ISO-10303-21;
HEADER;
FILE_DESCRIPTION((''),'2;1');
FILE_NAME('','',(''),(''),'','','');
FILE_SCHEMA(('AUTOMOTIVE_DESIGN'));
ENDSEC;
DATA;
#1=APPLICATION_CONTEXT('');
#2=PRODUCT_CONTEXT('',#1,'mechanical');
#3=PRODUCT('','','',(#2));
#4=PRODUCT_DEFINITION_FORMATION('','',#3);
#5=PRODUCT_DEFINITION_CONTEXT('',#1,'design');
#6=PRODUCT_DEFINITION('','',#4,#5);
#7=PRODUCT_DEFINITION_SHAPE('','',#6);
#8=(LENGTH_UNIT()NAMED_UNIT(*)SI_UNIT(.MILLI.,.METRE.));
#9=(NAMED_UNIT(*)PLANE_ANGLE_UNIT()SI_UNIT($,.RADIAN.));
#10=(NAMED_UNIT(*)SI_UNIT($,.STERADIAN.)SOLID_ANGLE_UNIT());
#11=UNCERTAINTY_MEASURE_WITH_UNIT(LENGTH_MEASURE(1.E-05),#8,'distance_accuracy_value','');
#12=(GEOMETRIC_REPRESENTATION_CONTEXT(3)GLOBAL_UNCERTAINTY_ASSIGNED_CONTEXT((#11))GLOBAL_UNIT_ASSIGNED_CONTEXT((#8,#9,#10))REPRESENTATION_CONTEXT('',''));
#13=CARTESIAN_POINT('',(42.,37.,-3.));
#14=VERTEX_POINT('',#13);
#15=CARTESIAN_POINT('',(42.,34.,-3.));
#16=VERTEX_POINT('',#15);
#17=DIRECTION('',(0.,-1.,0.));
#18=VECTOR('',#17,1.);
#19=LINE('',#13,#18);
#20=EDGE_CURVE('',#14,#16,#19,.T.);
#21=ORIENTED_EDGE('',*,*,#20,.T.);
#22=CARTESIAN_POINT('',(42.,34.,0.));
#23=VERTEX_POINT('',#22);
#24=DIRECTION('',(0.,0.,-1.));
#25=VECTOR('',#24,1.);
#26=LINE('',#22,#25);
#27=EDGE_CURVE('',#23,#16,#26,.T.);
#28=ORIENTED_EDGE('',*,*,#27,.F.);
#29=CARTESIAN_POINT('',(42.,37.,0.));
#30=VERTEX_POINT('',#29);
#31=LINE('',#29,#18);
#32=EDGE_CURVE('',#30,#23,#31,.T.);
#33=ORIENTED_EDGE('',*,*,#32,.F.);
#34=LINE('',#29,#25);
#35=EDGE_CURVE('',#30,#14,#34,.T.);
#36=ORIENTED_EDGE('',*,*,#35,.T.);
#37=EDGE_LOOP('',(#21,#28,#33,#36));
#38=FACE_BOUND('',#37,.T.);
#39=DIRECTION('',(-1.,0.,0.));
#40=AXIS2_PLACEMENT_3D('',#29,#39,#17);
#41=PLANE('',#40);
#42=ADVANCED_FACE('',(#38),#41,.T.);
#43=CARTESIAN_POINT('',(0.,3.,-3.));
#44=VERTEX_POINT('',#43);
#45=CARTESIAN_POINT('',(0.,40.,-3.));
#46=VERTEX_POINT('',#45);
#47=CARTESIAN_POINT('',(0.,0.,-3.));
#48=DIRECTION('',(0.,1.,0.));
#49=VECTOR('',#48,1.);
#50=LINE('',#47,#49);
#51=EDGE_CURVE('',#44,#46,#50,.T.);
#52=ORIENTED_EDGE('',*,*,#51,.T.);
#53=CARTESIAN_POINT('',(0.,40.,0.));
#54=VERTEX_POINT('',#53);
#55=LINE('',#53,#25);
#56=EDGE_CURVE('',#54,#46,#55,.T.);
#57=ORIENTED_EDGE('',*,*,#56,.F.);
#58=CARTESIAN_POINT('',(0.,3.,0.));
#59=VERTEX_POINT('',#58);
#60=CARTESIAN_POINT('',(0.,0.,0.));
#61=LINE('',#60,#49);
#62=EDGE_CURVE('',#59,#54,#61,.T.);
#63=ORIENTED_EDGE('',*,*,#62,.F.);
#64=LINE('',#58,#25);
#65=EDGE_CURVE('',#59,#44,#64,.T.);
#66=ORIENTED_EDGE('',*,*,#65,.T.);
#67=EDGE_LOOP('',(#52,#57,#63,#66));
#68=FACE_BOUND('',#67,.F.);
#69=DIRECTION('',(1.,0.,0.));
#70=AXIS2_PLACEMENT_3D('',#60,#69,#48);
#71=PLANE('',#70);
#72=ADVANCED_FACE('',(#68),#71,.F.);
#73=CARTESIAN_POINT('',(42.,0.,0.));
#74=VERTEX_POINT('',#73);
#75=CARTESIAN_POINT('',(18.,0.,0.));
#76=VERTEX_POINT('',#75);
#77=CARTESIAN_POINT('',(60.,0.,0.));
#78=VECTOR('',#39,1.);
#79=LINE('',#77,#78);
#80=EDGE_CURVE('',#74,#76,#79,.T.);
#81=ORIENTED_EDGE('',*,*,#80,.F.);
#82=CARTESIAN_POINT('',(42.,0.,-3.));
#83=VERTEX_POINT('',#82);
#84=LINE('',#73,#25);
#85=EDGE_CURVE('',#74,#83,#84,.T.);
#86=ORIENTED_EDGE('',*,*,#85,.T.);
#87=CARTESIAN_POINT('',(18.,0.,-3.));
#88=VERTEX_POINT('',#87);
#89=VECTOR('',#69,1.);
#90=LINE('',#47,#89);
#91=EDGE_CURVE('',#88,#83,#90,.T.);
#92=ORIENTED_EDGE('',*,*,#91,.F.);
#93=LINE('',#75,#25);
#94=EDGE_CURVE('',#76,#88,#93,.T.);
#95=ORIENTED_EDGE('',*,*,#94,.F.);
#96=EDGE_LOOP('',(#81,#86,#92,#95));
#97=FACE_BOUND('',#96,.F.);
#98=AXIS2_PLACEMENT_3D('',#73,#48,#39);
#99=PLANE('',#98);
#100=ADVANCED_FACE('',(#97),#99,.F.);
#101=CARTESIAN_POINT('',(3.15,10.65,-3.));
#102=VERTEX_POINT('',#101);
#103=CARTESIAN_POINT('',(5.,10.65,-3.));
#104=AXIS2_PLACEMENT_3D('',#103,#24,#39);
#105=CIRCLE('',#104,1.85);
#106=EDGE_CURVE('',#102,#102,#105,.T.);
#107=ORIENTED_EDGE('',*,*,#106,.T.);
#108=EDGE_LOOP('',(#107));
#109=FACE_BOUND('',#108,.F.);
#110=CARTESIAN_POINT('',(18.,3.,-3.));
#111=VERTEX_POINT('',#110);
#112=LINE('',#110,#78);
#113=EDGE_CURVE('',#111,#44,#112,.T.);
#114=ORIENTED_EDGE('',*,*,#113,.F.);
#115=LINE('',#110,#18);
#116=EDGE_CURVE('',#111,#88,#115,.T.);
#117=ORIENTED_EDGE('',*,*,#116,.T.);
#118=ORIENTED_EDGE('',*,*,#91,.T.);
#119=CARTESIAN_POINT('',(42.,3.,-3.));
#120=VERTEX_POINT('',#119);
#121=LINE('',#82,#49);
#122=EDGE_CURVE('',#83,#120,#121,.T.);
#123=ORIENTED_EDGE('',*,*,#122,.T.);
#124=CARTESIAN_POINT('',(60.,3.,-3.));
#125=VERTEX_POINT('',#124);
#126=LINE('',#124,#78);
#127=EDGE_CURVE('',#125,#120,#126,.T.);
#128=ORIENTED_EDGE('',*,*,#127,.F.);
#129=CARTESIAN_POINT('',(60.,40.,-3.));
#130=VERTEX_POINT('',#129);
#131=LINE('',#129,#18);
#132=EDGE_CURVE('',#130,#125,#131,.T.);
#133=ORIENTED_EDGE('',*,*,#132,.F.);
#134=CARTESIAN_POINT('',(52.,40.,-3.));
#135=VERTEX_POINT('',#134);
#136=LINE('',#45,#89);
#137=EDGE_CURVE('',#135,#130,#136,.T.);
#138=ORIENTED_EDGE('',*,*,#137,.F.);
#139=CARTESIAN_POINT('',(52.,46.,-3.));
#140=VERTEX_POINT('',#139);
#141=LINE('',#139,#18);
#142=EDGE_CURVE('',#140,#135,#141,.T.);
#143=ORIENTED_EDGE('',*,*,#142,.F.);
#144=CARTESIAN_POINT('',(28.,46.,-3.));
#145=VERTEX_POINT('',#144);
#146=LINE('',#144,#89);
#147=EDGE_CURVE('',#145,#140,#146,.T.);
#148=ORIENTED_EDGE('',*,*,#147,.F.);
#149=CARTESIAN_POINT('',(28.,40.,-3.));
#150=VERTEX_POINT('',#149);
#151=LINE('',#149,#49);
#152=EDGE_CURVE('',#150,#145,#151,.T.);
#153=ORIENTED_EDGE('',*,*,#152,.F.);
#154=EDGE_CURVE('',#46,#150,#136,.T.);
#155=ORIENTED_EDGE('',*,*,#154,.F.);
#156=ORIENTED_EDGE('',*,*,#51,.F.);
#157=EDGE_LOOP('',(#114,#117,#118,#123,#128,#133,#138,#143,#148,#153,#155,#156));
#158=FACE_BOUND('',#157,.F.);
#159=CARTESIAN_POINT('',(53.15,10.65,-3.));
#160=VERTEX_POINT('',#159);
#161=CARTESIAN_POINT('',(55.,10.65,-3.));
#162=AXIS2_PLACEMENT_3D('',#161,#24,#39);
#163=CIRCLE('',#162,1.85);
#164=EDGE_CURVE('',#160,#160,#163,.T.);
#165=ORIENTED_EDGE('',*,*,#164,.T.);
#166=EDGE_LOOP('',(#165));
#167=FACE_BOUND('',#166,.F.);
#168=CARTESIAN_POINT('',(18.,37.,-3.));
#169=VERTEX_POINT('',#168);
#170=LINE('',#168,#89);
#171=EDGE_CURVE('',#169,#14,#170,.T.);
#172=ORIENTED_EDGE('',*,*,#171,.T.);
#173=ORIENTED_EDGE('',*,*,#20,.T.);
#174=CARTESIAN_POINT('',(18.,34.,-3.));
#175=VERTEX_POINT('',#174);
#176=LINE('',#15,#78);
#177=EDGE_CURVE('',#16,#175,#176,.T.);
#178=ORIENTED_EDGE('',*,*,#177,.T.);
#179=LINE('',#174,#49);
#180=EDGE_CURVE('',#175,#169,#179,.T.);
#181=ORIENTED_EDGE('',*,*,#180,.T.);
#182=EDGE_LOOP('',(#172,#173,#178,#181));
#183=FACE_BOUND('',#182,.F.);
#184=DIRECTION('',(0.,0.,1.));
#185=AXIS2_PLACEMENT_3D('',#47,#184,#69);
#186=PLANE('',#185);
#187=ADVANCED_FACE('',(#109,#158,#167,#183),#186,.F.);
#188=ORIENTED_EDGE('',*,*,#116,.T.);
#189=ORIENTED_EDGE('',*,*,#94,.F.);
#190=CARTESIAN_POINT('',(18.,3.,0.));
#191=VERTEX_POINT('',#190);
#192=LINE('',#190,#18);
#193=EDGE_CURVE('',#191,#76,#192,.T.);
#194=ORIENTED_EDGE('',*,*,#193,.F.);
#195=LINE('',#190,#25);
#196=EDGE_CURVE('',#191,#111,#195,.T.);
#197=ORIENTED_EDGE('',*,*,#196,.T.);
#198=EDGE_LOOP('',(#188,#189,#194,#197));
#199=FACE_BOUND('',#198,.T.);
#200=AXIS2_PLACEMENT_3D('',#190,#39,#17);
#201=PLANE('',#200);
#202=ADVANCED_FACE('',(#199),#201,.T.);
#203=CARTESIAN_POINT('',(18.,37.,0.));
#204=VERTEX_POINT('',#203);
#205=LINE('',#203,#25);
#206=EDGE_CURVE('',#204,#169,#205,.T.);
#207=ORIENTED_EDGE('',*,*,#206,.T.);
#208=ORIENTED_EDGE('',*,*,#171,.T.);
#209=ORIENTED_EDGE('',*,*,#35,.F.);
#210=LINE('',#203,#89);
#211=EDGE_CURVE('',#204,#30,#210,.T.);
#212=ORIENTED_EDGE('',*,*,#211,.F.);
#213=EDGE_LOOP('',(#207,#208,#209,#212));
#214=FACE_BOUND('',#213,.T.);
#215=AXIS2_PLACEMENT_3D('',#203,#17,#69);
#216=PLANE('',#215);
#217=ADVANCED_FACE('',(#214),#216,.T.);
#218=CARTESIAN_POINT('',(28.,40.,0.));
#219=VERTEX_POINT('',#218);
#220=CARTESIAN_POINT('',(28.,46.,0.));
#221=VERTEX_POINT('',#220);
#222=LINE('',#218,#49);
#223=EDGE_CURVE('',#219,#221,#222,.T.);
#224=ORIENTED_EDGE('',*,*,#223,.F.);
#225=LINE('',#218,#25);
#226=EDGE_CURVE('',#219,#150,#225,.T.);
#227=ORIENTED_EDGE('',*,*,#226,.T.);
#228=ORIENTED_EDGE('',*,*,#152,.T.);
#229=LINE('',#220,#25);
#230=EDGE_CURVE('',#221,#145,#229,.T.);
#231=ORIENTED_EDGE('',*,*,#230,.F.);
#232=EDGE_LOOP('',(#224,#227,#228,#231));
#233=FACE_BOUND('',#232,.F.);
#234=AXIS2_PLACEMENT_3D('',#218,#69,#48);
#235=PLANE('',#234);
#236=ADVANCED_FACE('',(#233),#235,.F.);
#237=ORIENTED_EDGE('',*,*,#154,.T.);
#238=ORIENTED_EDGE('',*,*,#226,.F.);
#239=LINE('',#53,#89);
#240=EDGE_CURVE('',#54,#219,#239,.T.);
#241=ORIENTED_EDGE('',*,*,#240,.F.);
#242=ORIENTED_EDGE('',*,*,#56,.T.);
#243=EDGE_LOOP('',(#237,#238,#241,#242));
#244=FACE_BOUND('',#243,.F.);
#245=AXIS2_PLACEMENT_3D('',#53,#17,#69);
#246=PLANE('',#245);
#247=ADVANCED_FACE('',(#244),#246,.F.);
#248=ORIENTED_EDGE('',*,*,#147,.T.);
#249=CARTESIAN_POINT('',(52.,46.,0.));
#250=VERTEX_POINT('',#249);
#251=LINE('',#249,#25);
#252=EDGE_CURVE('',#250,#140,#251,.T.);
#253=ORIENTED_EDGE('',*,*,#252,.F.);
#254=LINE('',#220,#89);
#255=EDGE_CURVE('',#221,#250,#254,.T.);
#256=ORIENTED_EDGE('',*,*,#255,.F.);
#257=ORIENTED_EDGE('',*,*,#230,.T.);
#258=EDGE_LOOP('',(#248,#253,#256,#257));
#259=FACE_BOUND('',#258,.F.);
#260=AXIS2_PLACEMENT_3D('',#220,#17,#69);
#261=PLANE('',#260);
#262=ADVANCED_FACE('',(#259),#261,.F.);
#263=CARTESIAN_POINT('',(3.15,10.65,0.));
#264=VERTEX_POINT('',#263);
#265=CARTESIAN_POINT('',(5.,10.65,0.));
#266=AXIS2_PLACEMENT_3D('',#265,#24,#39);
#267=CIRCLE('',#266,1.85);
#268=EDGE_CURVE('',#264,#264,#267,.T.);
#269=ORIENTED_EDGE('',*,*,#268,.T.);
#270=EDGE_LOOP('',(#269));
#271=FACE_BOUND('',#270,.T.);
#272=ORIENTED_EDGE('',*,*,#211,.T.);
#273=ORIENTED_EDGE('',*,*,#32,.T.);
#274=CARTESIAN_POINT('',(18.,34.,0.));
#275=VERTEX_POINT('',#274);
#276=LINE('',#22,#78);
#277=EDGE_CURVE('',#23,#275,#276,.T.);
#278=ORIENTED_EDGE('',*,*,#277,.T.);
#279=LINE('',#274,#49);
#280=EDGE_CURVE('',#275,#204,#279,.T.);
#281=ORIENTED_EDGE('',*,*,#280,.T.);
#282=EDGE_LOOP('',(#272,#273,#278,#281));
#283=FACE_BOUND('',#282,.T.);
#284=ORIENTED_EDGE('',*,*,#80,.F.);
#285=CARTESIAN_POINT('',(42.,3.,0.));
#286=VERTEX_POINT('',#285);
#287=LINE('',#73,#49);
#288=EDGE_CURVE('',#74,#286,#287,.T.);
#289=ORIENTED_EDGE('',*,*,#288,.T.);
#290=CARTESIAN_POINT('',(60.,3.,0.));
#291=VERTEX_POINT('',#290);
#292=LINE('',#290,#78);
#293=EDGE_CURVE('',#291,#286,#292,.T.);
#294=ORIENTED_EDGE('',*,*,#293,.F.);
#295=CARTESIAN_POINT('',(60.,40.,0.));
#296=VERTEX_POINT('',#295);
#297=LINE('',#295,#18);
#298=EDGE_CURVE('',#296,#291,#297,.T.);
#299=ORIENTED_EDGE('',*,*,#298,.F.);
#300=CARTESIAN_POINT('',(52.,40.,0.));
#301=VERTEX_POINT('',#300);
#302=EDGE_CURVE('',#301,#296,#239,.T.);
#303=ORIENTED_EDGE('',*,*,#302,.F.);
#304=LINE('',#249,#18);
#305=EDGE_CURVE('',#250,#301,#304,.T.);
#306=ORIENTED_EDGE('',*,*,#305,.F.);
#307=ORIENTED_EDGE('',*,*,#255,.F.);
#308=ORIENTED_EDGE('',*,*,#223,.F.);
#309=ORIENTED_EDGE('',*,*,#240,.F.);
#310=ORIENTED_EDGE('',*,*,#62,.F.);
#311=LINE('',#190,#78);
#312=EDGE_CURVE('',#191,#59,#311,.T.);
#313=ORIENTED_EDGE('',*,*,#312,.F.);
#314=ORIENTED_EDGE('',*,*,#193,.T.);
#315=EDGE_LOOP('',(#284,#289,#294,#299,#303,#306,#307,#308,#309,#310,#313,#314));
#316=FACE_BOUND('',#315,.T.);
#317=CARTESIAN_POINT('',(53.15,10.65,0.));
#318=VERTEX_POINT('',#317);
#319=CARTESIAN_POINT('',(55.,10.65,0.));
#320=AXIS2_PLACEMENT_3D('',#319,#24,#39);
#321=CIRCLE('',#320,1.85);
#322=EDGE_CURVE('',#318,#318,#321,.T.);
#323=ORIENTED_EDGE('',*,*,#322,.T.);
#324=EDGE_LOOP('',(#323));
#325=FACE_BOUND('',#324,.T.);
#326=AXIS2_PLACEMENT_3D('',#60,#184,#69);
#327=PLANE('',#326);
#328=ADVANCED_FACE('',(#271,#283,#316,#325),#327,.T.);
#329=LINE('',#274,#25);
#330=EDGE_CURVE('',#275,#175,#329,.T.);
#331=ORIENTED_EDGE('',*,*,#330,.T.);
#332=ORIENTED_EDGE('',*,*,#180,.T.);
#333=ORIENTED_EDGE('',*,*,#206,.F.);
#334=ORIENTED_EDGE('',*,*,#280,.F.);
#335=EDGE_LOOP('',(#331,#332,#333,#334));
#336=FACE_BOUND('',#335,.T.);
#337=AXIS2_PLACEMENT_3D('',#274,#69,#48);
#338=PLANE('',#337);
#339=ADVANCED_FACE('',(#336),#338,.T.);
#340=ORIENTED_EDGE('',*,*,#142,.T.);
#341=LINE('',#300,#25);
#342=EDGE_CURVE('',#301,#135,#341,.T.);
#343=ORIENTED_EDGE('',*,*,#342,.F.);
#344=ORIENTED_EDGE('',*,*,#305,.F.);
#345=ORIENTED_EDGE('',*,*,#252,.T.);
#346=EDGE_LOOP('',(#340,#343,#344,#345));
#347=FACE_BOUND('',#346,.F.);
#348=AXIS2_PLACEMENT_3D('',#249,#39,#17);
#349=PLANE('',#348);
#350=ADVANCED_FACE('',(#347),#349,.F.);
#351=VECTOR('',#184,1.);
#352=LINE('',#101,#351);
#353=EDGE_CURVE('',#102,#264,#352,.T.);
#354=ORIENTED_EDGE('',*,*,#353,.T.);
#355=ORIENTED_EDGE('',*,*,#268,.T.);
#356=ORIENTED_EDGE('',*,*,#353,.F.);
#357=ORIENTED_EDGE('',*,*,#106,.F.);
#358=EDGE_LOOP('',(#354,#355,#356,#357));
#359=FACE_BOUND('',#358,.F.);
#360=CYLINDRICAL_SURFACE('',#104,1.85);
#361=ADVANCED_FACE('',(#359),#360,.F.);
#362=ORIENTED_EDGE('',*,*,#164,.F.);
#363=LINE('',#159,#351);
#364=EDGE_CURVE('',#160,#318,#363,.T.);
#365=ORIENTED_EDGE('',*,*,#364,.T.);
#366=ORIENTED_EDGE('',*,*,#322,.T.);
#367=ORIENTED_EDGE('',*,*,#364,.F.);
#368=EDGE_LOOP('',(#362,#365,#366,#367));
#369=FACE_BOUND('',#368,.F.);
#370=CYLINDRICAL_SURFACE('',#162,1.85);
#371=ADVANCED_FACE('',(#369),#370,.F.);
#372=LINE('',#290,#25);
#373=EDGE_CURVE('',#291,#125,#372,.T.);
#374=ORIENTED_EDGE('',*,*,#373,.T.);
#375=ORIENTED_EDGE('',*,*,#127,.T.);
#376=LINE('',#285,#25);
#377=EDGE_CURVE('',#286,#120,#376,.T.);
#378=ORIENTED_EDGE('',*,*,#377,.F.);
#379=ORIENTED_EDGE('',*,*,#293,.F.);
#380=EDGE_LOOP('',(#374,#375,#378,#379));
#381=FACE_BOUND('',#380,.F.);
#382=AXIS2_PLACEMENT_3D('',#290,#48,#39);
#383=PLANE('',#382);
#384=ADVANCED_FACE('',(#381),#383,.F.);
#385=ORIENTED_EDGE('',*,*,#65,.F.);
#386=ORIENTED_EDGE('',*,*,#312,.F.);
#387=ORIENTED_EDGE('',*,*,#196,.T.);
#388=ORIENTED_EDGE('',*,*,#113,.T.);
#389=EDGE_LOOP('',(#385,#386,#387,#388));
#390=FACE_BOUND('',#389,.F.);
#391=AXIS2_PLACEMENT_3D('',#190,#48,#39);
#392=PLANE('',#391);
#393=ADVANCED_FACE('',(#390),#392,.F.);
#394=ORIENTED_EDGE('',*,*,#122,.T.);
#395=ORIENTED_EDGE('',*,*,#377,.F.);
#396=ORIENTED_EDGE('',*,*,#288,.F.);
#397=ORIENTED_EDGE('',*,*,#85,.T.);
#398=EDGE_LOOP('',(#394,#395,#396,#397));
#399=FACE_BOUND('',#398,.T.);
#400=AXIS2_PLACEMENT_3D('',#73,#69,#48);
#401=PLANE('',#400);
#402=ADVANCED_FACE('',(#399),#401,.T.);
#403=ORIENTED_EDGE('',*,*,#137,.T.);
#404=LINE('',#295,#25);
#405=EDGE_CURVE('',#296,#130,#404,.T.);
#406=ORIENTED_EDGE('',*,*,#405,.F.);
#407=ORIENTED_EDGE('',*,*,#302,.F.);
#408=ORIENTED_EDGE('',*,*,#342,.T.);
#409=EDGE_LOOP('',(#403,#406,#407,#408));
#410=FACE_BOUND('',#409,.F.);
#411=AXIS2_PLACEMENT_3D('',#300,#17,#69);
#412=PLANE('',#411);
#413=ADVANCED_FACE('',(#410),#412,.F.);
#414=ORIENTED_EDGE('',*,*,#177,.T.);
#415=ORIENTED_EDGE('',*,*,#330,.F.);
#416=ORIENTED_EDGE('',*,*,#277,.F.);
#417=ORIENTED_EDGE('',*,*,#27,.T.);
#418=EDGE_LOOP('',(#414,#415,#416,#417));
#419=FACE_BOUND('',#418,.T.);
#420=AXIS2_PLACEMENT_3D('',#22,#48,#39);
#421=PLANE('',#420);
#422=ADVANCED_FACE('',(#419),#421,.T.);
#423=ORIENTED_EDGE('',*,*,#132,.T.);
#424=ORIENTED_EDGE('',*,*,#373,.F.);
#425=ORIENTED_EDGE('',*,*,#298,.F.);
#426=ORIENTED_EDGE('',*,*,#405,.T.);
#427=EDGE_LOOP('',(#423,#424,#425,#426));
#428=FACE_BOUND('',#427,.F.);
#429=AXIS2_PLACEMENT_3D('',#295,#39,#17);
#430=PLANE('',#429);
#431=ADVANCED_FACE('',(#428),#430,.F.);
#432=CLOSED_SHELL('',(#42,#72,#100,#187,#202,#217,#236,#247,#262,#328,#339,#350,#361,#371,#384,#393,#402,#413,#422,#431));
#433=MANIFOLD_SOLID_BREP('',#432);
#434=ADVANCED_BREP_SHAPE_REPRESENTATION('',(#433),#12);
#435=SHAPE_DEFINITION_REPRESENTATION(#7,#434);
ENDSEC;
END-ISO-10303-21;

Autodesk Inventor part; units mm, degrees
ref_plane "YZ Plane" through (0, 0, 0) normal (1, 0, 0) x (0, 1, 0)
ref_plane "XZ Plane" through (0, 0, 0) normal (0, 1, 0) x (-1, 0, 0)
ref_plane "XY Plane" through (0, 0, 0) normal (0, 0, 1) x (1, 0, 0)
sketch "Sketch1" plane through (0, 0, 0) normal (0, 0, 1) x (1, 0, 0)
  line L0 (42, 0) -> (60, 0) projected
  line L1 (42, 0) -> (18, 0) projected
  line L2 (0, 0) -> (18, 0) projected
  line L3 (60, 0) -> (60, 3) construction
  line L4 (0, 0) -> (0, 3) construction
  line L5 (24, 16) -> (47, 16) construction
  line L6 (60, 0) -> (0, 0)
  line L7 (0, 0) -> (0, 40)
  line L8 (0, 40) -> (60, 40)
  line L9 (60, 40) -> (60, 0)
  line L10 (52, 40) -> (28, 40)
  line L11 (28, 40) -> (28, 46)
  line L12 (28, 46) -> (52, 46)
  line L13 (52, 46) -> (52, 40)
  line L14 (42, 3) -> (42, 0) construction
  line L15 (18, 0) -> (18, 3) construction
  line L16 (42, 34) -> (18, 34)
  line L17 (18, 34) -> (18, 37)
  line L18 (18, 37) -> (42, 37)
  line L19 (42, 37) -> (42, 34)
  dimension "d0" = 40
  dimension "d1" = 8
  dimension "d2" = 24
  dimension "d3" = 6
  dimension "d4" = 3
  dimension "d5" = 3
  dimension "d6" = 24
extrude "Extrusion1" add sketch "Sketch1" against normal blind 3
sketch "Sketch2" plane through (0, 0, 0) normal (0, 0, 1) x (1, 0, 0)
  line L0 (42, 0) -> (42, 3) projected
  line L1 (60, 3) -> (42, 3) projected
  line L2 (60, 0) -> (60, 3) projected
  line L3 (60, 0) -> (42, 0) projected
  line L4 (18, 3) -> (18, 0) projected
  line L5 (18, 0) -> (0, 0) projected
  line L6 (0, 0) -> (0, 3) projected
  line L7 (18, 3) -> (0, 3) projected
extrude "Extrusion2" cut sketch "Sketch2" against normal blind 3
sketch "Sketch3" plane through (0, 0, -3) normal (0, 0, -1) x (-1, 0, 0)
  arc A0 (-3.15, 12.05) -> (-6.85, 12.05) centre (-5, 12.05) ccw construction
  line L0 (-3.15, 12.05) -> (-3.15, 9.25) construction
  arc A1 (-6.85, 9.25) -> (-3.15, 9.25) centre (-5, 9.25) ccw construction
  line L1 (-6.85, 9.25) -> (-6.85, 12.05) construction
  arc A2 (-9, 17.6) -> (-10, 16.6) centre (-9, 16.6) ccw construction
  line L2 (-10, 16.6) -> (-10, 4) construction
  line L3 (-10, 4) -> (0, 4) construction
  line L4 (0, 4) -> (0, 16.6) construction
  arc A3 (0, 16.6) -> (-1, 17.6) centre (-1, 16.6) ccw construction
  line L5 (-1, 17.6) -> (-9, 17.6) construction
  arc A4 (-53.15, 12.05) -> (-56.85, 12.05) centre (-55, 12.05) ccw construction
  line L6 (-53.15, 12.05) -> (-53.15, 9.25) construction
  arc A5 (-56.85, 9.25) -> (-53.15, 9.25) centre (-55, 9.25) ccw construction
  line L7 (-56.85, 9.25) -> (-56.85, 12.05) construction
  arc A6 (-59, 17.6) -> (-60, 16.6) centre (-59, 16.6) ccw construction
  line L8 (-60, 16.6) -> (-60, 4) construction
  line L9 (-60, 4) -> (-50, 4) construction
  line L10 (-50, 4) -> (-50, 16.6) construction
  arc A7 (-50, 16.6) -> (-51, 17.6) centre (-51, 16.6) ccw construction
  line L11 (-51, 17.6) -> (-59, 17.6) construction
  line L12 (-5, 9.25) -> (-5, 12.05) construction
  line L13 (-55, 9.25) -> (-55, 12.05) construction
  circle A8 centre (-5, 10.65) radius 1.85
  circle A9 centre (-55, 10.65) radius 1.85
  point P0 (0, 0)
extrude "Extrusion3" cut sketch "Sketch3" against normal blind 22.4
properties part number "Pan base top side bars"
